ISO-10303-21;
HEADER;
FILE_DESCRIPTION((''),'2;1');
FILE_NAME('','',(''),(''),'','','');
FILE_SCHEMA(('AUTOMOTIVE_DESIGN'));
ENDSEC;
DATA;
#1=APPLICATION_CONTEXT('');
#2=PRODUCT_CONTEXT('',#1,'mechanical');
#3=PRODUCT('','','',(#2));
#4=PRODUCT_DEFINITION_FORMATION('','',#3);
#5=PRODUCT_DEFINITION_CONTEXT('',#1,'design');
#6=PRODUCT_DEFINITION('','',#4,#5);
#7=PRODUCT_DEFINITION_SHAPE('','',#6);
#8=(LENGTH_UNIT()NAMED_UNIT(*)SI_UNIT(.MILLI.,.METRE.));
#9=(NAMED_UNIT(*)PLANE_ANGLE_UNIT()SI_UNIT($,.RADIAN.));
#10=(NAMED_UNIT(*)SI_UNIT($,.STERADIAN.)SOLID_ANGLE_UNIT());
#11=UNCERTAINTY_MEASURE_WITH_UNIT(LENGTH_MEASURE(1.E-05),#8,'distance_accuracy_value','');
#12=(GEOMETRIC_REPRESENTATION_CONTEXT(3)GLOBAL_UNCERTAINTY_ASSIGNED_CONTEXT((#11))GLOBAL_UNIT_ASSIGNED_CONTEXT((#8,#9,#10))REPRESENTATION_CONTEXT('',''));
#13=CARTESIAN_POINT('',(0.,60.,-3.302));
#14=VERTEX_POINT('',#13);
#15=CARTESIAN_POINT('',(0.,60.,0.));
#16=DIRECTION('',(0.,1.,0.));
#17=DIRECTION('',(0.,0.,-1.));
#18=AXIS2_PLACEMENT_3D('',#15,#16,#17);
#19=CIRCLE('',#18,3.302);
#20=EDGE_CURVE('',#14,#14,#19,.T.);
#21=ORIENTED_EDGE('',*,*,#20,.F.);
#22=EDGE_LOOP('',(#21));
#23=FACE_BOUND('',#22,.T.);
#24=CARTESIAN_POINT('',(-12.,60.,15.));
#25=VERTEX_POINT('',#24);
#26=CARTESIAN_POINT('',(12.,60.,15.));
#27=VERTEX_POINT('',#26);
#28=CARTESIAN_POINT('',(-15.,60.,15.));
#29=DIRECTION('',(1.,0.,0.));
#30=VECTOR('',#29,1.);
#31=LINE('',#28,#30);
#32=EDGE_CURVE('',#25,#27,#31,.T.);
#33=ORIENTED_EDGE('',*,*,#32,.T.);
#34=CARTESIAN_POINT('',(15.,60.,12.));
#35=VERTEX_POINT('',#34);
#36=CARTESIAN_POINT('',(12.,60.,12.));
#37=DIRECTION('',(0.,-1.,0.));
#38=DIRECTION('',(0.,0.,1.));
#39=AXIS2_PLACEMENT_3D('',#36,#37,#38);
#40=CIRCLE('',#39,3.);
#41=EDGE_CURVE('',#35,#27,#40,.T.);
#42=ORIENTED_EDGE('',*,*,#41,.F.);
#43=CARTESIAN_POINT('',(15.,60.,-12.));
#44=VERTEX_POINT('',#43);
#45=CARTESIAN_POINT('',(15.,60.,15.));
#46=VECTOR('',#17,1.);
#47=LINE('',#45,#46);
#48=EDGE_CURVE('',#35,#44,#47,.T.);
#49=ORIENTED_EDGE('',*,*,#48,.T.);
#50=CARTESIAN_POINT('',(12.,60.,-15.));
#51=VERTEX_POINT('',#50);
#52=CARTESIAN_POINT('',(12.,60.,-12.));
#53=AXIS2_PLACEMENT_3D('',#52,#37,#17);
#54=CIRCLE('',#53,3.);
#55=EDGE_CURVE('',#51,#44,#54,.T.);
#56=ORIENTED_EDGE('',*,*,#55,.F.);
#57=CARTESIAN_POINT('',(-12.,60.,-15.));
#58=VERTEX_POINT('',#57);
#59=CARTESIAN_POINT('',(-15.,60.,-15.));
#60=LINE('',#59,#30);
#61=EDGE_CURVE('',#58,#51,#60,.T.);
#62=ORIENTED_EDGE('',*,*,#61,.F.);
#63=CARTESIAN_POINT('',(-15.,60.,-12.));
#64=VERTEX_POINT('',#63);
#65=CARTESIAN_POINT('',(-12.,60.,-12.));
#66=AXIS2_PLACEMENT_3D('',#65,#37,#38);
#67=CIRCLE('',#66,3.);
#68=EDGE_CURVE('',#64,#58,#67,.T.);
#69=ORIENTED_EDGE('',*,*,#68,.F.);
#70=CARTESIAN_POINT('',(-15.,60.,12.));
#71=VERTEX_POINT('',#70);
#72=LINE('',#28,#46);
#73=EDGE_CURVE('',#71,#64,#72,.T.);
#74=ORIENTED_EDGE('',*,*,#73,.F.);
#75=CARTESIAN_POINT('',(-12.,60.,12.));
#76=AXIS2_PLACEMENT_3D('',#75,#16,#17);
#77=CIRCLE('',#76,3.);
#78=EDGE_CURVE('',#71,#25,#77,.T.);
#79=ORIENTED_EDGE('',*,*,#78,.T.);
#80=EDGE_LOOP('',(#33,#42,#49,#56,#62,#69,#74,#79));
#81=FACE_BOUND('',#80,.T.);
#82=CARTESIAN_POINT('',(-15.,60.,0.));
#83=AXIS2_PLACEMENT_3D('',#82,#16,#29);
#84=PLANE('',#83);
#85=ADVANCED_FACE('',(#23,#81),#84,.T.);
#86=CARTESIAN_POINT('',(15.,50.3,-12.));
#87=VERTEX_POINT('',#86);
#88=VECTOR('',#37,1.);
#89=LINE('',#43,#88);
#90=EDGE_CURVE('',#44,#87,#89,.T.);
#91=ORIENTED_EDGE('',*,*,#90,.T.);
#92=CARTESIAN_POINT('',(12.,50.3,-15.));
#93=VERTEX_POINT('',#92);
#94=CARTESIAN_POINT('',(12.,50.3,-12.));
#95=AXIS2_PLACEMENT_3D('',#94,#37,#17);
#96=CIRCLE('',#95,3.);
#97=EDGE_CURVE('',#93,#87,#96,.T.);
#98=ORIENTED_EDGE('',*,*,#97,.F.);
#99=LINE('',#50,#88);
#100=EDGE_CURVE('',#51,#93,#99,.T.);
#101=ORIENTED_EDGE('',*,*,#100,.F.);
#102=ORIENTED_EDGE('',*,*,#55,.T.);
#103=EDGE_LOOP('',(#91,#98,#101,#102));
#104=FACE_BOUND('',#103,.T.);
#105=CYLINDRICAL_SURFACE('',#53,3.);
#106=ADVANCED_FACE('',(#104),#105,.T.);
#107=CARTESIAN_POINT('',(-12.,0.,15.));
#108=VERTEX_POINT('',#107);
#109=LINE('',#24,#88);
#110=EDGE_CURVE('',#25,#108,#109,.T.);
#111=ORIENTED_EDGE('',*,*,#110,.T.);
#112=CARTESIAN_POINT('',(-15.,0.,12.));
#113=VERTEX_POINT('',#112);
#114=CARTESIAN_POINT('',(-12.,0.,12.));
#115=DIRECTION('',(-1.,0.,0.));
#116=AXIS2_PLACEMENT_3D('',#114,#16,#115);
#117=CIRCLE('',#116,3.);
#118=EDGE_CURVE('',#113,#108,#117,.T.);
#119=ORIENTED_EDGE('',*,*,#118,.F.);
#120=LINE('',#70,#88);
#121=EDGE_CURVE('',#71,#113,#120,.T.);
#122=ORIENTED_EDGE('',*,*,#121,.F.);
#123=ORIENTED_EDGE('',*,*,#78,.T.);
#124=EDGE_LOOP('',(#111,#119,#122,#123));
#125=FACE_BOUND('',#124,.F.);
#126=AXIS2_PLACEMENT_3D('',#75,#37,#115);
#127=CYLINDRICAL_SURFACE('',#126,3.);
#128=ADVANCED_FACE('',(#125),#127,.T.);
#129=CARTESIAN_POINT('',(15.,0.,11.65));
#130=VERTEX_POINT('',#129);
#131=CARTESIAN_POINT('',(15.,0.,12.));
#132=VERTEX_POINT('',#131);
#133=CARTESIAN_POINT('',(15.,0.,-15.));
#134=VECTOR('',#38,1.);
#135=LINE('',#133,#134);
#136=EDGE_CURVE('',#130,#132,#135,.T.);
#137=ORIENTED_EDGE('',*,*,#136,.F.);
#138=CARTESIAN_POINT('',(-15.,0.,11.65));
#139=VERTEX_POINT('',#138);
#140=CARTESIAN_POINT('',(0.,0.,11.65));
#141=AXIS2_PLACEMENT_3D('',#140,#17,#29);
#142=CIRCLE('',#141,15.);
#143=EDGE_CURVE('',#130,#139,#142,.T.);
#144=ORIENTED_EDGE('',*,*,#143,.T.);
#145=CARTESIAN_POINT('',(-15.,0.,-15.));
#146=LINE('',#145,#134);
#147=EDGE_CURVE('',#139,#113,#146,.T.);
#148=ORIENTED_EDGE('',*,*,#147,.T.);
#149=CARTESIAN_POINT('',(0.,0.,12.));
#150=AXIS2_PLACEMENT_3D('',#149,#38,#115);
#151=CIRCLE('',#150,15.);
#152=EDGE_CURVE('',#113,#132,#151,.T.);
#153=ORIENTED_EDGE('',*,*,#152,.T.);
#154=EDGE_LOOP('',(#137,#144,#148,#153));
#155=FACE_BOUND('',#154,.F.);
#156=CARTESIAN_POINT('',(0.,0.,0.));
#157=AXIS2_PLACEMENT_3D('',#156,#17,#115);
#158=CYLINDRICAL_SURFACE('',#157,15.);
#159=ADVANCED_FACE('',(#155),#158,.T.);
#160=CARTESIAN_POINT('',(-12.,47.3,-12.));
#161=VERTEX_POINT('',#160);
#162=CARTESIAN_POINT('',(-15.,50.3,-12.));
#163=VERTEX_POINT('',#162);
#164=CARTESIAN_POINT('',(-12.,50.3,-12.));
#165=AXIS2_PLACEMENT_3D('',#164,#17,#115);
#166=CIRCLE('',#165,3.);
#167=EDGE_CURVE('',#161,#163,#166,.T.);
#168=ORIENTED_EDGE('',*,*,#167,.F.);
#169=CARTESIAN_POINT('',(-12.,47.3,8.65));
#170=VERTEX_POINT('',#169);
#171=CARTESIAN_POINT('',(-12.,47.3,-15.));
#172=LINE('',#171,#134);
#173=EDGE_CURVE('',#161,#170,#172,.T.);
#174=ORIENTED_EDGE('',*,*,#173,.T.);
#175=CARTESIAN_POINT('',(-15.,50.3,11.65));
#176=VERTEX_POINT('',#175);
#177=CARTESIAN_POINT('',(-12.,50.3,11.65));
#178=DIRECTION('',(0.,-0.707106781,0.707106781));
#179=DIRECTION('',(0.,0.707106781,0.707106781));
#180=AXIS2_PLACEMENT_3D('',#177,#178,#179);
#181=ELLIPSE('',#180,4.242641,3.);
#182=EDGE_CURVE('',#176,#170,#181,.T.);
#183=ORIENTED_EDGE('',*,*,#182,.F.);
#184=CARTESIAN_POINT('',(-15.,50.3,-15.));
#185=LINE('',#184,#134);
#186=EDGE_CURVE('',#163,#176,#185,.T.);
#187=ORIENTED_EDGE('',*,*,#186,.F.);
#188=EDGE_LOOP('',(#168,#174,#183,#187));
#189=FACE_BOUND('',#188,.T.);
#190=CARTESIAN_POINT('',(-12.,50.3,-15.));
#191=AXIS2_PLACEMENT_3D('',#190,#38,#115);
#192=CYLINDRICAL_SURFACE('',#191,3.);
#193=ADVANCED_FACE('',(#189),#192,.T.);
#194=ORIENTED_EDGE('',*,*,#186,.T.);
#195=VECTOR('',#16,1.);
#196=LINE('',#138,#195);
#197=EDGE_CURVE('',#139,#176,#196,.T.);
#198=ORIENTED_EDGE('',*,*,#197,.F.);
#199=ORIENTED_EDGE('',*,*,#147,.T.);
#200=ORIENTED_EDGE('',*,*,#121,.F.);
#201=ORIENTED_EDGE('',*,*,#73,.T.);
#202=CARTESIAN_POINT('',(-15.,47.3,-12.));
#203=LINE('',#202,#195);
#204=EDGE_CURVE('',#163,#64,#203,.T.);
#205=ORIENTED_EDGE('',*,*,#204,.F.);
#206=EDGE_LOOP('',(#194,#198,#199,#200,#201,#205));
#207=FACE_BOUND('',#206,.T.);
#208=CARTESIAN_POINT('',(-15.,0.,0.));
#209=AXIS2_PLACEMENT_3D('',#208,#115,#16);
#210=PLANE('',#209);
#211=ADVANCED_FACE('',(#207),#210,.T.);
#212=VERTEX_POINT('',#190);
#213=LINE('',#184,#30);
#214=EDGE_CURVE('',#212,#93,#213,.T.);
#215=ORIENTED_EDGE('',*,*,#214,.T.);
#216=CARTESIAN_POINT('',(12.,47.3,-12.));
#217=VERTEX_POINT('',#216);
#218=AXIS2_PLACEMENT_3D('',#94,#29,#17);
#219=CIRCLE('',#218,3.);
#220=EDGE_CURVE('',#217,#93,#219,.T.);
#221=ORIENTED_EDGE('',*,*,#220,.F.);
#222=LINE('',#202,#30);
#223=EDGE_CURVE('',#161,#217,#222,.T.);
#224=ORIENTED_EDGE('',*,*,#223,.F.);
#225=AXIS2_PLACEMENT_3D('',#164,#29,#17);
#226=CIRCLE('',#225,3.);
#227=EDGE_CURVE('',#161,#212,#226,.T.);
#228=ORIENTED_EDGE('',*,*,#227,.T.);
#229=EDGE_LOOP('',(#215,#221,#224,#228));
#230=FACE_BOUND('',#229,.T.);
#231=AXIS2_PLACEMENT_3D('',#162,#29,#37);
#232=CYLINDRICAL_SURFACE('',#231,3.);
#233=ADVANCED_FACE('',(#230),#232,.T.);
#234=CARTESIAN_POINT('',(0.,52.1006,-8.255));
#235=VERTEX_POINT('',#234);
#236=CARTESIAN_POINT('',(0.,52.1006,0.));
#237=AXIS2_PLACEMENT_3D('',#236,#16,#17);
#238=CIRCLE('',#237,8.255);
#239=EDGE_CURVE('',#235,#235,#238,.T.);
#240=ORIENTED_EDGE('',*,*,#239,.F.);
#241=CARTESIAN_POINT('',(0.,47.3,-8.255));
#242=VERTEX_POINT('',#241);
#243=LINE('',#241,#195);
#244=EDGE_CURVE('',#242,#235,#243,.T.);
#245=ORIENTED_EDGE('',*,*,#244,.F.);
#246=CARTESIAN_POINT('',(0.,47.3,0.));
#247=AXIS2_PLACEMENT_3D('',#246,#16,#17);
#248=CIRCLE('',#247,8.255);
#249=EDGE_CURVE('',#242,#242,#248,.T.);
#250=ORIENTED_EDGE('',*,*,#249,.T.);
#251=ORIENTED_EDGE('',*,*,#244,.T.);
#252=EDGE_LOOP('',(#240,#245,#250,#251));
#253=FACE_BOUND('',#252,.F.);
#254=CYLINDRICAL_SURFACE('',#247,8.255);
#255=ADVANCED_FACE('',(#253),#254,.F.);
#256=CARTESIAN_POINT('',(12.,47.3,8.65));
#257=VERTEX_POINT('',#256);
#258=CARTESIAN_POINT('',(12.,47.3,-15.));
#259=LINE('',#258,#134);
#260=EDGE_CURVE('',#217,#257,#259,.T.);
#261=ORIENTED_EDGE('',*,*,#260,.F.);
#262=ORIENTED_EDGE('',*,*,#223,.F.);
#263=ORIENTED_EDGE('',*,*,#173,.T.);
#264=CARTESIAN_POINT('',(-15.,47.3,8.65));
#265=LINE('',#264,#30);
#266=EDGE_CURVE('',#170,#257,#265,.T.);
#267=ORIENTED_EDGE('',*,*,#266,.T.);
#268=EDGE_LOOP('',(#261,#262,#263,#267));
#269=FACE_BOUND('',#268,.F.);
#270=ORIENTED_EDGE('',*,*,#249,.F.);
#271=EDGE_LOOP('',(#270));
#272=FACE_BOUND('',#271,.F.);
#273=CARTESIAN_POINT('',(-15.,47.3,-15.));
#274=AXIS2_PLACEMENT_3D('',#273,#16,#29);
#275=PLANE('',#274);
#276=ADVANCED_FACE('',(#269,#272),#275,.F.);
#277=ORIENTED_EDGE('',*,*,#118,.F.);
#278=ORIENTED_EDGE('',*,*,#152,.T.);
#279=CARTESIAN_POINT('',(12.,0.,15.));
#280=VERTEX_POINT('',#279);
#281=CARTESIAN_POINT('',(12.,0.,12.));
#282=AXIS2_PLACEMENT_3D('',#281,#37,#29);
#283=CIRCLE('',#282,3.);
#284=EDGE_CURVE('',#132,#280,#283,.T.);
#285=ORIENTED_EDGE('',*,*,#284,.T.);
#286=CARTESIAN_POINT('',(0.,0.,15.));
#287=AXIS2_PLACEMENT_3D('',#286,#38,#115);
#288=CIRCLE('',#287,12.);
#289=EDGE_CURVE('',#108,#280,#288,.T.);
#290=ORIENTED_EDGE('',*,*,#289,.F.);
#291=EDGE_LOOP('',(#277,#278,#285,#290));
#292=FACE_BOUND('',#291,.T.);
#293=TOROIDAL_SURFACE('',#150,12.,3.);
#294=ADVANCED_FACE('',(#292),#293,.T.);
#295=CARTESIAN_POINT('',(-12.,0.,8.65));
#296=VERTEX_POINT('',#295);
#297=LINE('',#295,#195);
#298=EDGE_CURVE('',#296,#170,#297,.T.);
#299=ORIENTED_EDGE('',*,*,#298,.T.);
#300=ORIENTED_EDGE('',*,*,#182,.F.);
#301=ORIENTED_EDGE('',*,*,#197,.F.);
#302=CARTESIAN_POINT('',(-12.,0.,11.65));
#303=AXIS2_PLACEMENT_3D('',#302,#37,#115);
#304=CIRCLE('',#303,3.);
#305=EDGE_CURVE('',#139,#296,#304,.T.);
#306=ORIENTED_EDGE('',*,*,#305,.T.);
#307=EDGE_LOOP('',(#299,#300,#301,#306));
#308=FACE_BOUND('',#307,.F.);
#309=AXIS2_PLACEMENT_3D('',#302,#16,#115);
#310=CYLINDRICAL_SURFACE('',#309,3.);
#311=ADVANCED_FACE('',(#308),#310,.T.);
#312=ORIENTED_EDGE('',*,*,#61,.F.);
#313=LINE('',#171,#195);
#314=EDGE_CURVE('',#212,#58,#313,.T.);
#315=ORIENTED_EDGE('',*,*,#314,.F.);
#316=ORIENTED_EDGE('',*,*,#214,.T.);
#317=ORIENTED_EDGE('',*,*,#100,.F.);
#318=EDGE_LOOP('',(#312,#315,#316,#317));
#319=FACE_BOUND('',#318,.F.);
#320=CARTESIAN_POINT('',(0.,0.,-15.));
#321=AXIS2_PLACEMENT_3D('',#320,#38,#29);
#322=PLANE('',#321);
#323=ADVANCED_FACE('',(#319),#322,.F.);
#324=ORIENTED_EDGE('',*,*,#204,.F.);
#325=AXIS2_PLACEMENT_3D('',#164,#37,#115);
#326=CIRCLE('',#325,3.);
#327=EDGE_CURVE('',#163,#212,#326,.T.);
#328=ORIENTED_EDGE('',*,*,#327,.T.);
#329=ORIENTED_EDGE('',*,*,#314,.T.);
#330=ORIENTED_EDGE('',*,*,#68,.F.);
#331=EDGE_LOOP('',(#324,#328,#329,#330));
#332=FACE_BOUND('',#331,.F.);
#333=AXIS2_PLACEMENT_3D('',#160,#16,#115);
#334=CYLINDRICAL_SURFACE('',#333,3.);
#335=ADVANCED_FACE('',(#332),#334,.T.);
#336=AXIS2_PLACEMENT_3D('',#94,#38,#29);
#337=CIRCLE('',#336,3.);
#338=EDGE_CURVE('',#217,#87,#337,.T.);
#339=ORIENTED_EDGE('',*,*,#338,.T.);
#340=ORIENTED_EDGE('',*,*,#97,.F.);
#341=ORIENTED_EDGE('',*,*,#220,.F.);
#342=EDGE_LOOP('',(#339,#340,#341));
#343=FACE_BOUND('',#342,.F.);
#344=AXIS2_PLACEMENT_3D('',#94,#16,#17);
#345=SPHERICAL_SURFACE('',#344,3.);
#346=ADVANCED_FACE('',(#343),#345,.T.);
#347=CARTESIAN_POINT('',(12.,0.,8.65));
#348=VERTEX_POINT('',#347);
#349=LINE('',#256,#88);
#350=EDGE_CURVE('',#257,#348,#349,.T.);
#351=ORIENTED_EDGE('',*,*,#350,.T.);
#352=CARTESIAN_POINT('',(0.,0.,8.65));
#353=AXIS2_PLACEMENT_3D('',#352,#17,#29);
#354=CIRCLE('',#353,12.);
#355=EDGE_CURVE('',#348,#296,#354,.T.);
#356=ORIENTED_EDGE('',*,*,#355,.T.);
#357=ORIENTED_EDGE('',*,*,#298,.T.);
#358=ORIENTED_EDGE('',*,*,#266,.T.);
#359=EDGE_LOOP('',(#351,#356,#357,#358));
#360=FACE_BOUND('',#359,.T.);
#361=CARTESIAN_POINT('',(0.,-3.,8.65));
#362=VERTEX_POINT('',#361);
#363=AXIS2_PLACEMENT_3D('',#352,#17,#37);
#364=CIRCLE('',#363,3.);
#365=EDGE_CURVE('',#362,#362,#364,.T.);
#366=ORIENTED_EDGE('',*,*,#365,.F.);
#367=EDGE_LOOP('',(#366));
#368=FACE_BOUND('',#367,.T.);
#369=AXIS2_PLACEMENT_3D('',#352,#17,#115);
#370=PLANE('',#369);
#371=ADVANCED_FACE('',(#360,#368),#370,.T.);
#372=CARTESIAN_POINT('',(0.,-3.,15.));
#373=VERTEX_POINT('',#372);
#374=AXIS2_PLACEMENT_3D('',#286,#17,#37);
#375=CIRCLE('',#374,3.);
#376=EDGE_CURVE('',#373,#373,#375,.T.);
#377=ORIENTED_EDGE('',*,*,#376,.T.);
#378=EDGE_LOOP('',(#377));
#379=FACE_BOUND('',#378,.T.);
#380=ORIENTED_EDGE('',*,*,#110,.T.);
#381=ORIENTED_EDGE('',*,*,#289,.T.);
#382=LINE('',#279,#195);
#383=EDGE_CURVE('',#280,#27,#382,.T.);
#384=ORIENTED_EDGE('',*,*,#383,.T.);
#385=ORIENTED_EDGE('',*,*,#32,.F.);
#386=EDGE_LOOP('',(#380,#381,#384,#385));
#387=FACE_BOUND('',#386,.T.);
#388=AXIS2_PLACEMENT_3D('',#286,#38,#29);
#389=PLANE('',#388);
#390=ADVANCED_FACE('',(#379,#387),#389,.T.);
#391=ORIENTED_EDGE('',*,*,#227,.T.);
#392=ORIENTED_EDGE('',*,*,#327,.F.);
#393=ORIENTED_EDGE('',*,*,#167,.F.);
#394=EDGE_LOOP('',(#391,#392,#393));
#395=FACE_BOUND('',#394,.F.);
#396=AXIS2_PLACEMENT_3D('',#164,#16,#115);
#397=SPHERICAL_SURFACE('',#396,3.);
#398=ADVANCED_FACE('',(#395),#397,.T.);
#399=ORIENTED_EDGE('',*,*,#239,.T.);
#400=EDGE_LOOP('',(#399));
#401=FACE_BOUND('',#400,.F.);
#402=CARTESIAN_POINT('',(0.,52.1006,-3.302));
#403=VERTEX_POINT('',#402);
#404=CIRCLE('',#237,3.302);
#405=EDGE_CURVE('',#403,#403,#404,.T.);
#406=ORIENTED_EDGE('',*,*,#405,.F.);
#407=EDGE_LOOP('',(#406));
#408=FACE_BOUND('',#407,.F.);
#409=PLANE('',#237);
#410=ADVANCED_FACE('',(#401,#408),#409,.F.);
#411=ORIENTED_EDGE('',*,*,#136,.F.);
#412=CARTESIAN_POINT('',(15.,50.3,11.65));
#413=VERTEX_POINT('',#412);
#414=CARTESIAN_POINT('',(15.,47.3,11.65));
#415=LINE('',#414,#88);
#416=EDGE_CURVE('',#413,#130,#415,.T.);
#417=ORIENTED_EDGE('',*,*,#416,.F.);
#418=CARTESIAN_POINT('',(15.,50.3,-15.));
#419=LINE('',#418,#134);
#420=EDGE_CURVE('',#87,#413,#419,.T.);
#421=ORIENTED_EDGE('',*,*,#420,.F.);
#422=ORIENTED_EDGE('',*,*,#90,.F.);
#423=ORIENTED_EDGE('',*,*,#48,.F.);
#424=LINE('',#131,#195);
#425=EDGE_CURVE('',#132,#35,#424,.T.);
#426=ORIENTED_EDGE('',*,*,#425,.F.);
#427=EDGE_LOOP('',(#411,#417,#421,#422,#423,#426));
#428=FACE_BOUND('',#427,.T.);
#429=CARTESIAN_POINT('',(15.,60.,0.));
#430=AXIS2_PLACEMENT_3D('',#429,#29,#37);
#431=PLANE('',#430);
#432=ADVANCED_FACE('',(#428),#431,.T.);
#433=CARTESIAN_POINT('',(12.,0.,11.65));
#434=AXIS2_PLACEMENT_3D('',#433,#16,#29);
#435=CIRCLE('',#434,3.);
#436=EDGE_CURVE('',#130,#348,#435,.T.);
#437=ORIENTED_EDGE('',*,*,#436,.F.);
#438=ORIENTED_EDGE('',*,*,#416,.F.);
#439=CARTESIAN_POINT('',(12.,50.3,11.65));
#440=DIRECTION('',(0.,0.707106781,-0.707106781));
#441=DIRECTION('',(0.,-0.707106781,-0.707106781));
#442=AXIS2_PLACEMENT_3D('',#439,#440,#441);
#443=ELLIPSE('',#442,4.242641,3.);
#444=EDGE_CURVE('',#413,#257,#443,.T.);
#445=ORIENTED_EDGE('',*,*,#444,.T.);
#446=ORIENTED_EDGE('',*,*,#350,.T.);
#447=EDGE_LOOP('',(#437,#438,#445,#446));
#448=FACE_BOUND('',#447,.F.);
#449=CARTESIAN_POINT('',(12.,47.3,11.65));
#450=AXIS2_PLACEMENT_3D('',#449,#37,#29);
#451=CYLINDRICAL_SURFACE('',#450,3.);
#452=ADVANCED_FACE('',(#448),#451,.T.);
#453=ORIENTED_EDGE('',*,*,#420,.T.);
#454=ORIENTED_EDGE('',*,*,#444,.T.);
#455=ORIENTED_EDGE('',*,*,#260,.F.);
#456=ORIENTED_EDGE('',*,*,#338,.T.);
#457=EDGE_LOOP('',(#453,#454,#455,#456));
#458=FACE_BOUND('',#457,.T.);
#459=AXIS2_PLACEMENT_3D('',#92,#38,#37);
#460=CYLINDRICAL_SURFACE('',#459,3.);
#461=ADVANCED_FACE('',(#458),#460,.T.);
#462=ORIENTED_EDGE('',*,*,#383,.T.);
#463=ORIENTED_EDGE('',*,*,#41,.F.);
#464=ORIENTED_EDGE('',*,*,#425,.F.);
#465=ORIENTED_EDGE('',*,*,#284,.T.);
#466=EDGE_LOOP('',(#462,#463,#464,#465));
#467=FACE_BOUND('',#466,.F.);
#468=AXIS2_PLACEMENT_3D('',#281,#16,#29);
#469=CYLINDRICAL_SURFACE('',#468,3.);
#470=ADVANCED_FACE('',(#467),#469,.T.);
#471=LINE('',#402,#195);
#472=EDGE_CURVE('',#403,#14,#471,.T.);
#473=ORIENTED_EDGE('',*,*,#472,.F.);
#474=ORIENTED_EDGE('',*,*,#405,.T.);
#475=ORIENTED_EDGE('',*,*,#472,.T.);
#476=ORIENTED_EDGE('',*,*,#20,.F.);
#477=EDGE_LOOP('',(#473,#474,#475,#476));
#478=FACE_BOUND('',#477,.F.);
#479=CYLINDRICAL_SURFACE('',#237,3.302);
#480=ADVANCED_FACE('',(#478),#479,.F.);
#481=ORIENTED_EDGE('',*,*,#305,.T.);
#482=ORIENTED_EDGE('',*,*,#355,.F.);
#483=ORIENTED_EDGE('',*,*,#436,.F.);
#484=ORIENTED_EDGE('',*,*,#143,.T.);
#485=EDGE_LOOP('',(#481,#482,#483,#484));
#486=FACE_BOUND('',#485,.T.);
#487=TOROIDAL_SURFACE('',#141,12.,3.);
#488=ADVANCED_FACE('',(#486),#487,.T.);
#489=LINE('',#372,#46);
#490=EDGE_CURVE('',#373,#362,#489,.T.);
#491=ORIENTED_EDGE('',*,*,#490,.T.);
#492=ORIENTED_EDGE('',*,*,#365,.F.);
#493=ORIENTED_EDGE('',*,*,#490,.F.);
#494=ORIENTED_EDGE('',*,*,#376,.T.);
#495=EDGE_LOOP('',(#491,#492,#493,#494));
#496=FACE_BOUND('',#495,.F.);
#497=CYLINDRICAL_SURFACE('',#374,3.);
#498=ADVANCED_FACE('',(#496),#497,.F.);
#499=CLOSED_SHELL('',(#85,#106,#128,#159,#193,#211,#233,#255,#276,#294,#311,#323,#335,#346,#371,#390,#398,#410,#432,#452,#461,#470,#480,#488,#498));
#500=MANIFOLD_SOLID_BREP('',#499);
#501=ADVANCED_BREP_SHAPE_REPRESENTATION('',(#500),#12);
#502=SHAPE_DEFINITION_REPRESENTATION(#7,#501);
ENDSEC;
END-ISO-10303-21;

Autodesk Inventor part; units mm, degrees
ref_plane "YZ Plane" through (0, 0, 0) normal (1, 0, 0) x (0, 1, 0)
ref_plane "XZ Plane" through (0, 0, 0) normal (0, 1, 0) x (-1, 0, 0)
ref_plane "XY Plane" through (0, 0, 0) normal (0, 0, 1) x (1, 0, 0)
sketch "Sketch1" plane through (0, 0, 0) normal (0, 0, 1) x (1, 0, 0)
  arc A0 (-15, 0) -> (15, 0) centre (0, 0) ccw
  line L0 (-15, 60) -> (15, 60)
  line L1 (15, 60) -> (15, 0)
  line L2 (-15, 0) -> (-15, 60)
  dimension "d0" = 30
  dimension "d1" = 60
extrude "Extrusion1" add sketch "Sketch1" along normal mid plane 30
sketch "Sketch2" plane through (0, 0, -15) normal (0, 0, -1) x (-1, 0, 0)
  arc A0 (-15, 0) -> (15, 0) centre (0, 0) ccw
  line L0 (15, 0) -> (15, 47.3)
  line L1 (15, 47.3) -> (-15, 47.3)
  line L2 (-15, 47.3) -> (-15, 0)
  line L3 (15, 0) -> (15, 60) projected
  line L4 (-15, 60) -> (-15, 0) projected
  line L5 (15, 60) -> (-15, 60) projected
  dimension "d4" = 12.7
extrude "Extrusion2" cut sketch "Sketch2" against normal blind 23.65 contours L2 L1 L0 A0
fillet "Fillet1" radius 3 11 edges at (-15, 53.65, -15) (15, 53.65, -15) (0, -15, 15) (15, 30, 15) (-15, 30, 15) (0, -15, 8.65) (15, 23.65, 8.65) (-15, 23.65, 8.65) (-15, 47.3, -3.175) (0, 47.3, -15) (15, 47.3, -3.175)
sketch "Sketch3" plane through (-12, 47.3, -15) normal (0, -1, 0) x (1, 0, 0)
  point P0 (12, 15)
  point P1 (12, 15)
hole "Hole1" at (0, 47.3, 0) direction (0, 1, 0) diameter 6.604 end through all counterbore diameter 16.51 counterbore depth 4.8006 clearance for "Hex Head Cap Screw DIN EN 24017" size "M6" standard "DIN"
sketch "Sketch4" plane through (0, 0, 15) normal (0, 0, 1) x (1, 0, 0)
  point P0 (0, 0)
  point P1 (0, 0)
hole "Hole2" at (0, 0, 15) direction (0, 0, -1) diameter 6 end through all
properties part number "NASA-20-ARM-HG-01"
